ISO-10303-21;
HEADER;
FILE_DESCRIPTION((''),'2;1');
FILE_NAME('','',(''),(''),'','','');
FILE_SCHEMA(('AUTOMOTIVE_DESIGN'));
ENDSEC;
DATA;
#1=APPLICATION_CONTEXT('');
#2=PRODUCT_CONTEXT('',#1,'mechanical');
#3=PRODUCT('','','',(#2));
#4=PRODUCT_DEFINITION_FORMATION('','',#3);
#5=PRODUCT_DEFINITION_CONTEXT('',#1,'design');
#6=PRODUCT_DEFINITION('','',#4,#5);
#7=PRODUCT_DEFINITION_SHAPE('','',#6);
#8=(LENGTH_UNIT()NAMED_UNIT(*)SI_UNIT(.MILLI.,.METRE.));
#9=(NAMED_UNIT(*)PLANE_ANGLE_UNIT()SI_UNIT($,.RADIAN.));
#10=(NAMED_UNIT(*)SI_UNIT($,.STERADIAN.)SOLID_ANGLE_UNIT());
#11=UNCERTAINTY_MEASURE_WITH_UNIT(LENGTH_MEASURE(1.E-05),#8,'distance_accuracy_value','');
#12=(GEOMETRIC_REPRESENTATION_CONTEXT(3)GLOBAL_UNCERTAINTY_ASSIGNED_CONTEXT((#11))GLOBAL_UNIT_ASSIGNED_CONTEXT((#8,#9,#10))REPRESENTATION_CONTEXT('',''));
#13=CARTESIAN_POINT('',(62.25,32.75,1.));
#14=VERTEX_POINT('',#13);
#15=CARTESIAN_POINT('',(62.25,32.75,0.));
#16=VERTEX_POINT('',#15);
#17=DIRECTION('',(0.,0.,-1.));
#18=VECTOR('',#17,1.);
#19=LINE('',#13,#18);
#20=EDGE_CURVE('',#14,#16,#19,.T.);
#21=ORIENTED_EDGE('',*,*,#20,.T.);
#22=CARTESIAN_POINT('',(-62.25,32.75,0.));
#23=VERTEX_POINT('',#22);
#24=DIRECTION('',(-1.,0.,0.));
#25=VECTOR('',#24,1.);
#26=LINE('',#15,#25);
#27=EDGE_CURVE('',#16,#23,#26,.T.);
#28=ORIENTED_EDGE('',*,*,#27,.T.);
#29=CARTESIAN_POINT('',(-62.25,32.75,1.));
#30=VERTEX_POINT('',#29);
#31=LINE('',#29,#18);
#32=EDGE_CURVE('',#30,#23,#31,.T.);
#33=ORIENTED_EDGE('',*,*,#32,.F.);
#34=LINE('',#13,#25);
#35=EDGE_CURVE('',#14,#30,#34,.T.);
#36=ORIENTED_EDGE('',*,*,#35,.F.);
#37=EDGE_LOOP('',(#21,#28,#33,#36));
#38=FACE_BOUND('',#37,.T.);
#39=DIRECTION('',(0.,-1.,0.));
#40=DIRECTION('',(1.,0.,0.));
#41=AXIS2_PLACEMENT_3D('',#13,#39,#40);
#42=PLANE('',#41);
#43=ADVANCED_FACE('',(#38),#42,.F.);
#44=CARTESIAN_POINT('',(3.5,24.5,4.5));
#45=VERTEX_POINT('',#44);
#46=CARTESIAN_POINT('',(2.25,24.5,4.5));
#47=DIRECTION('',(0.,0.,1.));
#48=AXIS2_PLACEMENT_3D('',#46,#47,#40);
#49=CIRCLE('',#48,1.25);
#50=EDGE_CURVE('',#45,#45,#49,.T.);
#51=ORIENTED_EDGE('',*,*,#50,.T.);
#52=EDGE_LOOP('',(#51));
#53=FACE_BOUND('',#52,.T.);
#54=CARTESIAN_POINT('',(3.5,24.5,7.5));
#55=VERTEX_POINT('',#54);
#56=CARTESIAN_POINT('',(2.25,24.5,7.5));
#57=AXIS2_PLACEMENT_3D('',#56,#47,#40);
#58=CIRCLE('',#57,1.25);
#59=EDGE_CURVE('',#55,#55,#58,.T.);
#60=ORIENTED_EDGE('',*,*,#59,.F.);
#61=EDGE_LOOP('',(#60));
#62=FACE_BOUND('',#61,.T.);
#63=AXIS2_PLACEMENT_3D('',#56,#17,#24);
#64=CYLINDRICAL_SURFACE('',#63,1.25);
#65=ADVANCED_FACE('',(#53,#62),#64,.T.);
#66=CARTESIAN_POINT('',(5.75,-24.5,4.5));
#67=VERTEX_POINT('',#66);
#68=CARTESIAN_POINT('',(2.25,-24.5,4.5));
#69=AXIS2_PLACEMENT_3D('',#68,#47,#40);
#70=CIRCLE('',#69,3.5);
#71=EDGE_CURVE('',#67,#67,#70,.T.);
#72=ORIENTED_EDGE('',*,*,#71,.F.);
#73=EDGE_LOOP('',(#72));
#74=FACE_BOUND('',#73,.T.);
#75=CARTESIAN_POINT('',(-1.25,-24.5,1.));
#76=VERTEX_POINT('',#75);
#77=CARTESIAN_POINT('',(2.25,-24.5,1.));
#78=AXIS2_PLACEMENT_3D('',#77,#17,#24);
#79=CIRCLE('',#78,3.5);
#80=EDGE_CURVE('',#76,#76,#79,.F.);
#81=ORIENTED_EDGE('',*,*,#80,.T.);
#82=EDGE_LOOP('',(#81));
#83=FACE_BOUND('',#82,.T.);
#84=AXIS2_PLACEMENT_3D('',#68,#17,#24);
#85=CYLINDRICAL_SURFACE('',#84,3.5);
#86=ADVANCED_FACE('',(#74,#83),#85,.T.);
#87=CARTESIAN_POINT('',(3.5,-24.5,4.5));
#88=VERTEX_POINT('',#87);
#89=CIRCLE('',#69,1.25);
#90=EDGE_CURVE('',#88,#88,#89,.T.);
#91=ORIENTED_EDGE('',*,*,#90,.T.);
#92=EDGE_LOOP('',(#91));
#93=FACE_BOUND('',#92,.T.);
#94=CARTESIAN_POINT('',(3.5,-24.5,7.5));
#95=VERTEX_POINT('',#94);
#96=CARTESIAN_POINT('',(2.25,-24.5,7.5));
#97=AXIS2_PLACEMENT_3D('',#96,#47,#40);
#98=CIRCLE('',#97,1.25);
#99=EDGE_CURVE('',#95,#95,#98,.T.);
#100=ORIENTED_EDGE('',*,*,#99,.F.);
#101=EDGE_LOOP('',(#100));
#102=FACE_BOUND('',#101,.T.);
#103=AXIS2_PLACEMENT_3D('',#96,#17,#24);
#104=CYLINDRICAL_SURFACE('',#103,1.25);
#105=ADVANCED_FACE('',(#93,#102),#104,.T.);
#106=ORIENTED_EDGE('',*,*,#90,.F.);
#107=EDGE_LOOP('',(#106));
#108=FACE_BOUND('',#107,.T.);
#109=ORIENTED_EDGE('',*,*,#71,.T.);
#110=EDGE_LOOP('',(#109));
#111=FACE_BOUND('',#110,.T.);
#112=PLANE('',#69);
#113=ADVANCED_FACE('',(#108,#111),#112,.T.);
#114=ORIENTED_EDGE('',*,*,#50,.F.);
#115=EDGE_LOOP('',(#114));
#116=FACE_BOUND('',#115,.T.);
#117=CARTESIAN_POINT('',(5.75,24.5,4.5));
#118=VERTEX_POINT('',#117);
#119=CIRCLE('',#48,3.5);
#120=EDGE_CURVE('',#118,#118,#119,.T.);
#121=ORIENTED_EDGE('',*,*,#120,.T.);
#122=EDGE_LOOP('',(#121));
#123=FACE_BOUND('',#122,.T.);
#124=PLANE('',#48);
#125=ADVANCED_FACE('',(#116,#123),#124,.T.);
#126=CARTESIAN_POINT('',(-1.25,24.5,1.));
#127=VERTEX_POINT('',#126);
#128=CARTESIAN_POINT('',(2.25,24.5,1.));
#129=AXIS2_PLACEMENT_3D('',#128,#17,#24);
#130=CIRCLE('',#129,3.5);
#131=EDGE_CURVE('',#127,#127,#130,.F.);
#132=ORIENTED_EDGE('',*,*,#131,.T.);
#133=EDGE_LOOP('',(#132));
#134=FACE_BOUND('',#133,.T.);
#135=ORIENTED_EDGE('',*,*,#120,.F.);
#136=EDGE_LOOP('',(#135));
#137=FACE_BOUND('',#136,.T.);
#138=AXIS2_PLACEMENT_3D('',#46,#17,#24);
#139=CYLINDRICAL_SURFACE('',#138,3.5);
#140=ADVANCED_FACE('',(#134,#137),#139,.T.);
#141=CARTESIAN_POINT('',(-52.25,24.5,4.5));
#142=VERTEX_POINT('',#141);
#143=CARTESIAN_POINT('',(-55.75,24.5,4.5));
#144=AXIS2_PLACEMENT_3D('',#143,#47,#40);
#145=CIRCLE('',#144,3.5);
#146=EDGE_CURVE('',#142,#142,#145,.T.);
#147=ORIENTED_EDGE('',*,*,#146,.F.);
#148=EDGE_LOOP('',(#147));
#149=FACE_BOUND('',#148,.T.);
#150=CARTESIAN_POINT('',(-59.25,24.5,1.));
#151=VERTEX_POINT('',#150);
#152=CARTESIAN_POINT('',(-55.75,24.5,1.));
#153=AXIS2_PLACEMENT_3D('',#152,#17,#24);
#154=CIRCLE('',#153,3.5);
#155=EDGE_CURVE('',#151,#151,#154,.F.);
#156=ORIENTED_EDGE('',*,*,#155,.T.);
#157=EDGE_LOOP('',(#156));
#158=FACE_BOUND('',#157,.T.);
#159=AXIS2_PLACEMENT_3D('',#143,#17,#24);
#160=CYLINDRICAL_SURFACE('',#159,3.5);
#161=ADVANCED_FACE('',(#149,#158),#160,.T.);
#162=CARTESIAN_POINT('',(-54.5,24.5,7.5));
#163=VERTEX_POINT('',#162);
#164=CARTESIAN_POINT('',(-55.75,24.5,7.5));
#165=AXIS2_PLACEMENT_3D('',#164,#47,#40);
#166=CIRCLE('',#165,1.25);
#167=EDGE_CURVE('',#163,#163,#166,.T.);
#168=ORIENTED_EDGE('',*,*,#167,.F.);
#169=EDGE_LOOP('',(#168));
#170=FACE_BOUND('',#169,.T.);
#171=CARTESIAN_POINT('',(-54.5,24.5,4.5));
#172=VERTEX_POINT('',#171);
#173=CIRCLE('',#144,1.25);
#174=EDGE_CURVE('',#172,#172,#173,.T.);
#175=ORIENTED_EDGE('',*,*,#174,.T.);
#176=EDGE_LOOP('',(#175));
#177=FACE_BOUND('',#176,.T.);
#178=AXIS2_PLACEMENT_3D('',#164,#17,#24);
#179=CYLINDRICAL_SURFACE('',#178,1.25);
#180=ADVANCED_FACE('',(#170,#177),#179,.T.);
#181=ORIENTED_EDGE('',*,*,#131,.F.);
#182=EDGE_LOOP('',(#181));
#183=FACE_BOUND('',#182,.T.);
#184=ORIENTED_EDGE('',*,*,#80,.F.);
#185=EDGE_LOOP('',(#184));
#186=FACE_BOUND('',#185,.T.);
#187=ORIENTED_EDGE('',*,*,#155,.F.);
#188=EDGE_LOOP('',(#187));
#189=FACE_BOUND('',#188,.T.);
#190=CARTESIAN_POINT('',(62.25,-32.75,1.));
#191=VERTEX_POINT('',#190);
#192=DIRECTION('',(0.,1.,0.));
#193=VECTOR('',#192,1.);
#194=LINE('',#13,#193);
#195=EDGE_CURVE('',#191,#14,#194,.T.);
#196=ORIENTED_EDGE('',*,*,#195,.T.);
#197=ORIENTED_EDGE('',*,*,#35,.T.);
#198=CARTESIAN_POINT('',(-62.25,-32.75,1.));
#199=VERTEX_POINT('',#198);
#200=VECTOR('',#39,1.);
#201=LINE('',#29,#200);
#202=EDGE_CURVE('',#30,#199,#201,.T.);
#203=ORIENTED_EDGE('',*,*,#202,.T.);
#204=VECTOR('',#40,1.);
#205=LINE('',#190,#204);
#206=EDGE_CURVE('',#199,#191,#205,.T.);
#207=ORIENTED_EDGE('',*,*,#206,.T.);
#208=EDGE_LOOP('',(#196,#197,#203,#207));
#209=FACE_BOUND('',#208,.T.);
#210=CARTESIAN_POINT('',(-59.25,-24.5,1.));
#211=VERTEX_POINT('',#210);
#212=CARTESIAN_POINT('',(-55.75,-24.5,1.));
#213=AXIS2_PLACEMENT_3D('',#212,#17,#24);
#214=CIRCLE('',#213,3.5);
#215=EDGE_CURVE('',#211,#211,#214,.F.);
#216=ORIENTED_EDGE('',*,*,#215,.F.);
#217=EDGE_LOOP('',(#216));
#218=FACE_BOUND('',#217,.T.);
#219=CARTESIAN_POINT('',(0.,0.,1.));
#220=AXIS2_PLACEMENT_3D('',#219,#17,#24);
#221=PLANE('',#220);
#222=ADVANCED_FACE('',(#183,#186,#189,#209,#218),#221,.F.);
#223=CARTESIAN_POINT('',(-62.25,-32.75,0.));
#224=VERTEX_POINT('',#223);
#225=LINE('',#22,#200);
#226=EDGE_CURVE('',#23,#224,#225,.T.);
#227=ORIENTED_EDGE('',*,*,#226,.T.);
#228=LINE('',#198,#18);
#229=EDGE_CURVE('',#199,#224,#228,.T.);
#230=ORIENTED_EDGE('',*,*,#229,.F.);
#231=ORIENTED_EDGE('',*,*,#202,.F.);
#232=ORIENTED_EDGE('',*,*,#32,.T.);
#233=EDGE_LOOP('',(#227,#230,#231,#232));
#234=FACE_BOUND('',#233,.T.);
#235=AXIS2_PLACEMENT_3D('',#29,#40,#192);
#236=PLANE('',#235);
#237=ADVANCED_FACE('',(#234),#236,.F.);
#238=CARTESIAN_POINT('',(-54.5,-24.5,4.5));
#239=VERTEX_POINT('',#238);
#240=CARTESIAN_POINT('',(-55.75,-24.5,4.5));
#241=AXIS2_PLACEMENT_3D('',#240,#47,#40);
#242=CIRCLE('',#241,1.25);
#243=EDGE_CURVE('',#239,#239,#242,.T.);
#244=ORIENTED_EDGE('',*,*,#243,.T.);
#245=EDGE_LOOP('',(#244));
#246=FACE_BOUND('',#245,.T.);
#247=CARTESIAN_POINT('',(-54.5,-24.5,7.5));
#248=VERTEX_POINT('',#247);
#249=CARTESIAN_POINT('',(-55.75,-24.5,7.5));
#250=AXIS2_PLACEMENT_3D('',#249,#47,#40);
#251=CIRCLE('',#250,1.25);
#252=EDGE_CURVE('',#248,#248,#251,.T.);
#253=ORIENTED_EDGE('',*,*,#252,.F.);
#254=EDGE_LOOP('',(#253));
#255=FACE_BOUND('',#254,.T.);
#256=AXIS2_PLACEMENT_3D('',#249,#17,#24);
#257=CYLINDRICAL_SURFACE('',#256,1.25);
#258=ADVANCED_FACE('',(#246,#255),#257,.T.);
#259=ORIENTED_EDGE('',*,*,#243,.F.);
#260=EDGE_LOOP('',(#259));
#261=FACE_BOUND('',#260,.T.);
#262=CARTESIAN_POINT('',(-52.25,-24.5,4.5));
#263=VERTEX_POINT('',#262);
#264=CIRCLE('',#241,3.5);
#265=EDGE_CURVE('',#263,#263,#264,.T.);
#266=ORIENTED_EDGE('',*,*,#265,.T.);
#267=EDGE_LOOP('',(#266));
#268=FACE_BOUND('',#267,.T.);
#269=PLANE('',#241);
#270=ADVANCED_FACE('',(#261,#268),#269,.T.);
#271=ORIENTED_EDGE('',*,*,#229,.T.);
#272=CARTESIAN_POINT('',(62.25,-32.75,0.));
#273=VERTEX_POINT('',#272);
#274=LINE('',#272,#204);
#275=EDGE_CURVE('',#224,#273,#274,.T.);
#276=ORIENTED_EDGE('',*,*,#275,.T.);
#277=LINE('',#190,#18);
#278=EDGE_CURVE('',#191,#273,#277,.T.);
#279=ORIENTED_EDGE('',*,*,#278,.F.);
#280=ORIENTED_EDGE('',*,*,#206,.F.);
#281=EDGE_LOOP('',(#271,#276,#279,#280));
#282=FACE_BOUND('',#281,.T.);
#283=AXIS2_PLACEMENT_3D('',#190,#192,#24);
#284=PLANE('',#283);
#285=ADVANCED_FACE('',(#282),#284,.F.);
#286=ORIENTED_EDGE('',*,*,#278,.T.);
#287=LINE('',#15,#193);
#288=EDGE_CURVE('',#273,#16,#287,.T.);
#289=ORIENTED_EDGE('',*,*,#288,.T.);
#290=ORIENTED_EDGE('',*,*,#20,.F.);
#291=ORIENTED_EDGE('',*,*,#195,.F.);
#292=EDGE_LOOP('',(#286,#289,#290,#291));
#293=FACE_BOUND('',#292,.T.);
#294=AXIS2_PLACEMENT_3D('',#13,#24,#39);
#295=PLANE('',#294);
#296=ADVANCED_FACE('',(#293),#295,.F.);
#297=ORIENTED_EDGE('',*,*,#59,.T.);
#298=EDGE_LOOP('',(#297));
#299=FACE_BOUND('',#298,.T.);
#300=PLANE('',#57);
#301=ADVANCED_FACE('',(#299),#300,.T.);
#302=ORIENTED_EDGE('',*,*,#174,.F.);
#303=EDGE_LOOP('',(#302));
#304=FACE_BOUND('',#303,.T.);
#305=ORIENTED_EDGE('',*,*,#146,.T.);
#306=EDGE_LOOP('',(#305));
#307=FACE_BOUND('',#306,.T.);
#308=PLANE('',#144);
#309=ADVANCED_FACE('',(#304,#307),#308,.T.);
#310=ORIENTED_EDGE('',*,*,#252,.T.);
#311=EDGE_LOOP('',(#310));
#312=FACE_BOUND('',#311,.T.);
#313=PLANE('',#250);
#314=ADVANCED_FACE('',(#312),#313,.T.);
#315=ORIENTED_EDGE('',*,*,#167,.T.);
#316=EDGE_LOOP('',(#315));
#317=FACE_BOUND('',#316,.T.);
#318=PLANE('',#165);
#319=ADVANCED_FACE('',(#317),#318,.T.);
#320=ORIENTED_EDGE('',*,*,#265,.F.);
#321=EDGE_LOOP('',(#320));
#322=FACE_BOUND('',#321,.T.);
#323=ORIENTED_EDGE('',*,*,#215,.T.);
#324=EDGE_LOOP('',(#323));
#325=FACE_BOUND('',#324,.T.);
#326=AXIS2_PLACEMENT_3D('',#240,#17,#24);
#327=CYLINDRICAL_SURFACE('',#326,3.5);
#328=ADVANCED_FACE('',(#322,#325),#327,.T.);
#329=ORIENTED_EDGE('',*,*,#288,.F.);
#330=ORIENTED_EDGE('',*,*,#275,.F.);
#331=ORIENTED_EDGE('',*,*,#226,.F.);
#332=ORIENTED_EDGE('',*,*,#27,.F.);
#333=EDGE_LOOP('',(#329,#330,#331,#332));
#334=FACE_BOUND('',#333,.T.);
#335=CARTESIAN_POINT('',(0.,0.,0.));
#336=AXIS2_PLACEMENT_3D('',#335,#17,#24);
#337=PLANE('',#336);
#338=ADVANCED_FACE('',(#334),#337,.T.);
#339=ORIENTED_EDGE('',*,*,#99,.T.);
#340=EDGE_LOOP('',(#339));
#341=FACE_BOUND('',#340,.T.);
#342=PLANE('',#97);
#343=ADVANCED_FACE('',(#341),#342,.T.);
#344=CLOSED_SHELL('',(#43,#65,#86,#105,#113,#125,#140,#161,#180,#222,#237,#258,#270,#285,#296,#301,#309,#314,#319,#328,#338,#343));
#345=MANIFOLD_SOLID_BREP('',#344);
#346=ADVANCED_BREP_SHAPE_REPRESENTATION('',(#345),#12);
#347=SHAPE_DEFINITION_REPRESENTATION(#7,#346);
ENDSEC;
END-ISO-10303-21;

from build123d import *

# Parameters (mm, degrees)
SKETCH1_W           = 124.5
SKETCH1_H           = 65.5
BOSS_EXTRUDE1_DEPTH = 1
SKETCH2_R           = 3.5
BOSS_EXTRUDE2_DEPTH = 3.5
SKETCH3_R           = 1.25
BOSS_EXTRUDE3_DEPTH = 3


with BuildPart() as part:
    # Sketch1 → Boss-Extrude1 (new body)
    with BuildSketch(Plane.XY):
        Rectangle(SKETCH1_W, SKETCH1_H)
    extrude(amount=BOSS_EXTRUDE1_DEPTH)

    # Sketch2 → Boss-Extrude2 (add)
    with BuildSketch(Plane.XY.offset(1)):
        with Locations(Location((-55.75, 24.5, 0), (0, 0, 180))):
            Circle(SKETCH2_R)
        with Locations(Location((2.25, 24.5, 0), (0, 0, 180))):
            Circle(SKETCH2_R)
        with Locations(Location((2.25, -24.5, 0), (0, 0, 180))):
            Circle(SKETCH2_R)
        with Locations(Location((-55.75, -24.5, 0), (0, 0, 180))):
            Circle(SKETCH2_R)
    extrude(amount=BOSS_EXTRUDE2_DEPTH)

    # Sketch3 → Boss-Extrude3 (add)
    with BuildSketch(Plane.XY.offset(4.5)):
        with Locations((-55.75, 24.5)):
            Circle(SKETCH3_R)
        with Locations((2.25, 24.5)):
            Circle(SKETCH3_R)
        with Locations((2.25, -24.5)):
            Circle(SKETCH3_R)
        with Locations((-55.75, -24.5)):
            Circle(SKETCH3_R)
    extrude(amount=BOSS_EXTRUDE3_DEPTH)


solid = part.part
